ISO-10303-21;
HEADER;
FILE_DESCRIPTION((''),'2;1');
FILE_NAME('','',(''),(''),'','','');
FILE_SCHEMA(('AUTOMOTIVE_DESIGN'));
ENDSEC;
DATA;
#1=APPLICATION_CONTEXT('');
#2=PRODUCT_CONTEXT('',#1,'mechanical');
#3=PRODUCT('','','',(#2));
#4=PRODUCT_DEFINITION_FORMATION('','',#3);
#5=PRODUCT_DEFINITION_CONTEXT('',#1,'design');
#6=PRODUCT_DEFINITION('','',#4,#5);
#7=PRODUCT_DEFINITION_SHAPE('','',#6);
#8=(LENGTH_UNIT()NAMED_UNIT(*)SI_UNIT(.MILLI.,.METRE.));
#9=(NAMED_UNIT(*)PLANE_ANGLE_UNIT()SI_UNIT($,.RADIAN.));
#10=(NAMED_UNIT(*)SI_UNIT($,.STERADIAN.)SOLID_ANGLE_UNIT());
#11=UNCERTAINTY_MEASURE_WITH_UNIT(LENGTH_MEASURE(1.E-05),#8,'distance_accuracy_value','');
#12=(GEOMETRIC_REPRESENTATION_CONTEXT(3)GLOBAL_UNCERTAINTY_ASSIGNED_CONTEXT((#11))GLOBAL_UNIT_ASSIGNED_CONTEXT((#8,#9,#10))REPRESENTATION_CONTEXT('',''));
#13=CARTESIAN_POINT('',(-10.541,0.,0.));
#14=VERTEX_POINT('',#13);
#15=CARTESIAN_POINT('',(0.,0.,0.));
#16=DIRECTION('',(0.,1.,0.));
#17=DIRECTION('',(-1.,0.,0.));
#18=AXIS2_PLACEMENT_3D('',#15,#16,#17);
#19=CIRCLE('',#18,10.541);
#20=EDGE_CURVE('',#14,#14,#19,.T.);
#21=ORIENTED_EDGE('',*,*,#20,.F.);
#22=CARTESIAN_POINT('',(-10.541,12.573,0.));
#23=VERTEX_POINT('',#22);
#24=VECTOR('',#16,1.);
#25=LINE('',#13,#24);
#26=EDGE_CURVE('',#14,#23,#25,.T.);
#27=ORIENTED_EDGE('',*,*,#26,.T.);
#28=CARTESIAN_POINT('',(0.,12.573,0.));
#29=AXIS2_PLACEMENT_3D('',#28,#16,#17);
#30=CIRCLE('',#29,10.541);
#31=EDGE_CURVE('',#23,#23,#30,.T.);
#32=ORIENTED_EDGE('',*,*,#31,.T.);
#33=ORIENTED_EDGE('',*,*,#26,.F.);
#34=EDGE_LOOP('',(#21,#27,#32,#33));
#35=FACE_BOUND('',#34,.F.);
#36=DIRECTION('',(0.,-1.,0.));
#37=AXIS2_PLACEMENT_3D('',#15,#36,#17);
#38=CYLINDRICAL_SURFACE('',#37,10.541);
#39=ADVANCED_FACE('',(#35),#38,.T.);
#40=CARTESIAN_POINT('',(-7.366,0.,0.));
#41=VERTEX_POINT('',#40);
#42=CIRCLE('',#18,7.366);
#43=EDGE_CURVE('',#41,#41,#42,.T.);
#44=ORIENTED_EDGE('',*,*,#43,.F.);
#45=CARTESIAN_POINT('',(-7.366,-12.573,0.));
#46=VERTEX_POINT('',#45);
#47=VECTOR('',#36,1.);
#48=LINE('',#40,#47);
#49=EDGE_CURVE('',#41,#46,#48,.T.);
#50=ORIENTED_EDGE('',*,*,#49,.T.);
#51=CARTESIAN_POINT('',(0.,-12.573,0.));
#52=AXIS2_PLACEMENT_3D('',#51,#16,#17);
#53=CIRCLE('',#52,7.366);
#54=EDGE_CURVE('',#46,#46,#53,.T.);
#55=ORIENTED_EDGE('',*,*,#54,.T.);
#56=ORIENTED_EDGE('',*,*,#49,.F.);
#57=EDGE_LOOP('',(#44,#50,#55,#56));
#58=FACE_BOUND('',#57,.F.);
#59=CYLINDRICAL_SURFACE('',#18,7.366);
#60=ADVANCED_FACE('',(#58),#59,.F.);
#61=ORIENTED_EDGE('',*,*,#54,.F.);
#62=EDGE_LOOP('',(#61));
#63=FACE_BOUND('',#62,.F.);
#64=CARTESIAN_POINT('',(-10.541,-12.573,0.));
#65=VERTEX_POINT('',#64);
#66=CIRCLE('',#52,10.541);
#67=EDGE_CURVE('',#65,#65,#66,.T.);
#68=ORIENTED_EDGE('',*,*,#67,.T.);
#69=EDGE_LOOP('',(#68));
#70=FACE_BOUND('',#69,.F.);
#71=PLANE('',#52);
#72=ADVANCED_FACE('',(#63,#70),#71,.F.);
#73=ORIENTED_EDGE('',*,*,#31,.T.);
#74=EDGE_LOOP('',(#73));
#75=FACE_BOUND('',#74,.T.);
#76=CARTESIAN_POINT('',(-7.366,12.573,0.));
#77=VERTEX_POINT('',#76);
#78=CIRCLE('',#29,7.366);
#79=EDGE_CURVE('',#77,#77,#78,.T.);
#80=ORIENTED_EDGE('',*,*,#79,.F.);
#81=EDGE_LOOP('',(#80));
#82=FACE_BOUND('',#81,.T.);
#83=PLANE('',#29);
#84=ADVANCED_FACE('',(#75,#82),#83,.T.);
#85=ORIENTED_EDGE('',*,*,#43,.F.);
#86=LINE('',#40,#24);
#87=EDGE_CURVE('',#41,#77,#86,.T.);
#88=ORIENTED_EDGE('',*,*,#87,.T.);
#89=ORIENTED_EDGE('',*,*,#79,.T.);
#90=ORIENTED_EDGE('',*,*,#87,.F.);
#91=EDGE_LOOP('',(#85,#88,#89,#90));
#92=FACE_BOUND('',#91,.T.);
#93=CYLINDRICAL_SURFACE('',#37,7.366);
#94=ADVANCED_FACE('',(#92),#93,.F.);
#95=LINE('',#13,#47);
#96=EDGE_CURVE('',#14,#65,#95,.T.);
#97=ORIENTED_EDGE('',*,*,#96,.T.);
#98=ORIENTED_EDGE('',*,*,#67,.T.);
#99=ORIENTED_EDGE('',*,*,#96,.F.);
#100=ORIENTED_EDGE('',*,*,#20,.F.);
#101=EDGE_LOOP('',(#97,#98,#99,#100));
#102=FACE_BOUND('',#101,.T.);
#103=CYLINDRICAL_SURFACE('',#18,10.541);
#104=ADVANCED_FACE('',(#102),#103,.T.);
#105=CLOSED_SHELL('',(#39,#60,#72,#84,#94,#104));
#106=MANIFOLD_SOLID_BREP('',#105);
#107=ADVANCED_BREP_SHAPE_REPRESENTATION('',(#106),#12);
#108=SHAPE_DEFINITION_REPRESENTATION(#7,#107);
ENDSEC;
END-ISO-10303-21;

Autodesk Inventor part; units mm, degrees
ref_plane "YZ Plane" through (0, 0, 0) normal (1, 0, 0) x (0, 1, 0)
ref_plane "XZ Plane" through (0, 0, 0) normal (0, 1, 0) x (-1, 0, 0)
ref_plane "XY Plane" through (0, 0, 0) normal (0, 0, 1) x (1, 0, 0)
sketch "Sketch1" plane through (0, 0, 0) normal (0, 1, 0) x (-1, 0, 0)
  circle A0 centre (0, 0) radius 7.366
  circle A1 centre (0, 0) radius 10.541
  dimension "d0" = 14.732
  dimension "d1" = 3.175
extrude "Extrusion1" add sketch "Sketch1" along normal mid plane 25.146
properties part number "CL-S-004" material "ABS Plastic"
